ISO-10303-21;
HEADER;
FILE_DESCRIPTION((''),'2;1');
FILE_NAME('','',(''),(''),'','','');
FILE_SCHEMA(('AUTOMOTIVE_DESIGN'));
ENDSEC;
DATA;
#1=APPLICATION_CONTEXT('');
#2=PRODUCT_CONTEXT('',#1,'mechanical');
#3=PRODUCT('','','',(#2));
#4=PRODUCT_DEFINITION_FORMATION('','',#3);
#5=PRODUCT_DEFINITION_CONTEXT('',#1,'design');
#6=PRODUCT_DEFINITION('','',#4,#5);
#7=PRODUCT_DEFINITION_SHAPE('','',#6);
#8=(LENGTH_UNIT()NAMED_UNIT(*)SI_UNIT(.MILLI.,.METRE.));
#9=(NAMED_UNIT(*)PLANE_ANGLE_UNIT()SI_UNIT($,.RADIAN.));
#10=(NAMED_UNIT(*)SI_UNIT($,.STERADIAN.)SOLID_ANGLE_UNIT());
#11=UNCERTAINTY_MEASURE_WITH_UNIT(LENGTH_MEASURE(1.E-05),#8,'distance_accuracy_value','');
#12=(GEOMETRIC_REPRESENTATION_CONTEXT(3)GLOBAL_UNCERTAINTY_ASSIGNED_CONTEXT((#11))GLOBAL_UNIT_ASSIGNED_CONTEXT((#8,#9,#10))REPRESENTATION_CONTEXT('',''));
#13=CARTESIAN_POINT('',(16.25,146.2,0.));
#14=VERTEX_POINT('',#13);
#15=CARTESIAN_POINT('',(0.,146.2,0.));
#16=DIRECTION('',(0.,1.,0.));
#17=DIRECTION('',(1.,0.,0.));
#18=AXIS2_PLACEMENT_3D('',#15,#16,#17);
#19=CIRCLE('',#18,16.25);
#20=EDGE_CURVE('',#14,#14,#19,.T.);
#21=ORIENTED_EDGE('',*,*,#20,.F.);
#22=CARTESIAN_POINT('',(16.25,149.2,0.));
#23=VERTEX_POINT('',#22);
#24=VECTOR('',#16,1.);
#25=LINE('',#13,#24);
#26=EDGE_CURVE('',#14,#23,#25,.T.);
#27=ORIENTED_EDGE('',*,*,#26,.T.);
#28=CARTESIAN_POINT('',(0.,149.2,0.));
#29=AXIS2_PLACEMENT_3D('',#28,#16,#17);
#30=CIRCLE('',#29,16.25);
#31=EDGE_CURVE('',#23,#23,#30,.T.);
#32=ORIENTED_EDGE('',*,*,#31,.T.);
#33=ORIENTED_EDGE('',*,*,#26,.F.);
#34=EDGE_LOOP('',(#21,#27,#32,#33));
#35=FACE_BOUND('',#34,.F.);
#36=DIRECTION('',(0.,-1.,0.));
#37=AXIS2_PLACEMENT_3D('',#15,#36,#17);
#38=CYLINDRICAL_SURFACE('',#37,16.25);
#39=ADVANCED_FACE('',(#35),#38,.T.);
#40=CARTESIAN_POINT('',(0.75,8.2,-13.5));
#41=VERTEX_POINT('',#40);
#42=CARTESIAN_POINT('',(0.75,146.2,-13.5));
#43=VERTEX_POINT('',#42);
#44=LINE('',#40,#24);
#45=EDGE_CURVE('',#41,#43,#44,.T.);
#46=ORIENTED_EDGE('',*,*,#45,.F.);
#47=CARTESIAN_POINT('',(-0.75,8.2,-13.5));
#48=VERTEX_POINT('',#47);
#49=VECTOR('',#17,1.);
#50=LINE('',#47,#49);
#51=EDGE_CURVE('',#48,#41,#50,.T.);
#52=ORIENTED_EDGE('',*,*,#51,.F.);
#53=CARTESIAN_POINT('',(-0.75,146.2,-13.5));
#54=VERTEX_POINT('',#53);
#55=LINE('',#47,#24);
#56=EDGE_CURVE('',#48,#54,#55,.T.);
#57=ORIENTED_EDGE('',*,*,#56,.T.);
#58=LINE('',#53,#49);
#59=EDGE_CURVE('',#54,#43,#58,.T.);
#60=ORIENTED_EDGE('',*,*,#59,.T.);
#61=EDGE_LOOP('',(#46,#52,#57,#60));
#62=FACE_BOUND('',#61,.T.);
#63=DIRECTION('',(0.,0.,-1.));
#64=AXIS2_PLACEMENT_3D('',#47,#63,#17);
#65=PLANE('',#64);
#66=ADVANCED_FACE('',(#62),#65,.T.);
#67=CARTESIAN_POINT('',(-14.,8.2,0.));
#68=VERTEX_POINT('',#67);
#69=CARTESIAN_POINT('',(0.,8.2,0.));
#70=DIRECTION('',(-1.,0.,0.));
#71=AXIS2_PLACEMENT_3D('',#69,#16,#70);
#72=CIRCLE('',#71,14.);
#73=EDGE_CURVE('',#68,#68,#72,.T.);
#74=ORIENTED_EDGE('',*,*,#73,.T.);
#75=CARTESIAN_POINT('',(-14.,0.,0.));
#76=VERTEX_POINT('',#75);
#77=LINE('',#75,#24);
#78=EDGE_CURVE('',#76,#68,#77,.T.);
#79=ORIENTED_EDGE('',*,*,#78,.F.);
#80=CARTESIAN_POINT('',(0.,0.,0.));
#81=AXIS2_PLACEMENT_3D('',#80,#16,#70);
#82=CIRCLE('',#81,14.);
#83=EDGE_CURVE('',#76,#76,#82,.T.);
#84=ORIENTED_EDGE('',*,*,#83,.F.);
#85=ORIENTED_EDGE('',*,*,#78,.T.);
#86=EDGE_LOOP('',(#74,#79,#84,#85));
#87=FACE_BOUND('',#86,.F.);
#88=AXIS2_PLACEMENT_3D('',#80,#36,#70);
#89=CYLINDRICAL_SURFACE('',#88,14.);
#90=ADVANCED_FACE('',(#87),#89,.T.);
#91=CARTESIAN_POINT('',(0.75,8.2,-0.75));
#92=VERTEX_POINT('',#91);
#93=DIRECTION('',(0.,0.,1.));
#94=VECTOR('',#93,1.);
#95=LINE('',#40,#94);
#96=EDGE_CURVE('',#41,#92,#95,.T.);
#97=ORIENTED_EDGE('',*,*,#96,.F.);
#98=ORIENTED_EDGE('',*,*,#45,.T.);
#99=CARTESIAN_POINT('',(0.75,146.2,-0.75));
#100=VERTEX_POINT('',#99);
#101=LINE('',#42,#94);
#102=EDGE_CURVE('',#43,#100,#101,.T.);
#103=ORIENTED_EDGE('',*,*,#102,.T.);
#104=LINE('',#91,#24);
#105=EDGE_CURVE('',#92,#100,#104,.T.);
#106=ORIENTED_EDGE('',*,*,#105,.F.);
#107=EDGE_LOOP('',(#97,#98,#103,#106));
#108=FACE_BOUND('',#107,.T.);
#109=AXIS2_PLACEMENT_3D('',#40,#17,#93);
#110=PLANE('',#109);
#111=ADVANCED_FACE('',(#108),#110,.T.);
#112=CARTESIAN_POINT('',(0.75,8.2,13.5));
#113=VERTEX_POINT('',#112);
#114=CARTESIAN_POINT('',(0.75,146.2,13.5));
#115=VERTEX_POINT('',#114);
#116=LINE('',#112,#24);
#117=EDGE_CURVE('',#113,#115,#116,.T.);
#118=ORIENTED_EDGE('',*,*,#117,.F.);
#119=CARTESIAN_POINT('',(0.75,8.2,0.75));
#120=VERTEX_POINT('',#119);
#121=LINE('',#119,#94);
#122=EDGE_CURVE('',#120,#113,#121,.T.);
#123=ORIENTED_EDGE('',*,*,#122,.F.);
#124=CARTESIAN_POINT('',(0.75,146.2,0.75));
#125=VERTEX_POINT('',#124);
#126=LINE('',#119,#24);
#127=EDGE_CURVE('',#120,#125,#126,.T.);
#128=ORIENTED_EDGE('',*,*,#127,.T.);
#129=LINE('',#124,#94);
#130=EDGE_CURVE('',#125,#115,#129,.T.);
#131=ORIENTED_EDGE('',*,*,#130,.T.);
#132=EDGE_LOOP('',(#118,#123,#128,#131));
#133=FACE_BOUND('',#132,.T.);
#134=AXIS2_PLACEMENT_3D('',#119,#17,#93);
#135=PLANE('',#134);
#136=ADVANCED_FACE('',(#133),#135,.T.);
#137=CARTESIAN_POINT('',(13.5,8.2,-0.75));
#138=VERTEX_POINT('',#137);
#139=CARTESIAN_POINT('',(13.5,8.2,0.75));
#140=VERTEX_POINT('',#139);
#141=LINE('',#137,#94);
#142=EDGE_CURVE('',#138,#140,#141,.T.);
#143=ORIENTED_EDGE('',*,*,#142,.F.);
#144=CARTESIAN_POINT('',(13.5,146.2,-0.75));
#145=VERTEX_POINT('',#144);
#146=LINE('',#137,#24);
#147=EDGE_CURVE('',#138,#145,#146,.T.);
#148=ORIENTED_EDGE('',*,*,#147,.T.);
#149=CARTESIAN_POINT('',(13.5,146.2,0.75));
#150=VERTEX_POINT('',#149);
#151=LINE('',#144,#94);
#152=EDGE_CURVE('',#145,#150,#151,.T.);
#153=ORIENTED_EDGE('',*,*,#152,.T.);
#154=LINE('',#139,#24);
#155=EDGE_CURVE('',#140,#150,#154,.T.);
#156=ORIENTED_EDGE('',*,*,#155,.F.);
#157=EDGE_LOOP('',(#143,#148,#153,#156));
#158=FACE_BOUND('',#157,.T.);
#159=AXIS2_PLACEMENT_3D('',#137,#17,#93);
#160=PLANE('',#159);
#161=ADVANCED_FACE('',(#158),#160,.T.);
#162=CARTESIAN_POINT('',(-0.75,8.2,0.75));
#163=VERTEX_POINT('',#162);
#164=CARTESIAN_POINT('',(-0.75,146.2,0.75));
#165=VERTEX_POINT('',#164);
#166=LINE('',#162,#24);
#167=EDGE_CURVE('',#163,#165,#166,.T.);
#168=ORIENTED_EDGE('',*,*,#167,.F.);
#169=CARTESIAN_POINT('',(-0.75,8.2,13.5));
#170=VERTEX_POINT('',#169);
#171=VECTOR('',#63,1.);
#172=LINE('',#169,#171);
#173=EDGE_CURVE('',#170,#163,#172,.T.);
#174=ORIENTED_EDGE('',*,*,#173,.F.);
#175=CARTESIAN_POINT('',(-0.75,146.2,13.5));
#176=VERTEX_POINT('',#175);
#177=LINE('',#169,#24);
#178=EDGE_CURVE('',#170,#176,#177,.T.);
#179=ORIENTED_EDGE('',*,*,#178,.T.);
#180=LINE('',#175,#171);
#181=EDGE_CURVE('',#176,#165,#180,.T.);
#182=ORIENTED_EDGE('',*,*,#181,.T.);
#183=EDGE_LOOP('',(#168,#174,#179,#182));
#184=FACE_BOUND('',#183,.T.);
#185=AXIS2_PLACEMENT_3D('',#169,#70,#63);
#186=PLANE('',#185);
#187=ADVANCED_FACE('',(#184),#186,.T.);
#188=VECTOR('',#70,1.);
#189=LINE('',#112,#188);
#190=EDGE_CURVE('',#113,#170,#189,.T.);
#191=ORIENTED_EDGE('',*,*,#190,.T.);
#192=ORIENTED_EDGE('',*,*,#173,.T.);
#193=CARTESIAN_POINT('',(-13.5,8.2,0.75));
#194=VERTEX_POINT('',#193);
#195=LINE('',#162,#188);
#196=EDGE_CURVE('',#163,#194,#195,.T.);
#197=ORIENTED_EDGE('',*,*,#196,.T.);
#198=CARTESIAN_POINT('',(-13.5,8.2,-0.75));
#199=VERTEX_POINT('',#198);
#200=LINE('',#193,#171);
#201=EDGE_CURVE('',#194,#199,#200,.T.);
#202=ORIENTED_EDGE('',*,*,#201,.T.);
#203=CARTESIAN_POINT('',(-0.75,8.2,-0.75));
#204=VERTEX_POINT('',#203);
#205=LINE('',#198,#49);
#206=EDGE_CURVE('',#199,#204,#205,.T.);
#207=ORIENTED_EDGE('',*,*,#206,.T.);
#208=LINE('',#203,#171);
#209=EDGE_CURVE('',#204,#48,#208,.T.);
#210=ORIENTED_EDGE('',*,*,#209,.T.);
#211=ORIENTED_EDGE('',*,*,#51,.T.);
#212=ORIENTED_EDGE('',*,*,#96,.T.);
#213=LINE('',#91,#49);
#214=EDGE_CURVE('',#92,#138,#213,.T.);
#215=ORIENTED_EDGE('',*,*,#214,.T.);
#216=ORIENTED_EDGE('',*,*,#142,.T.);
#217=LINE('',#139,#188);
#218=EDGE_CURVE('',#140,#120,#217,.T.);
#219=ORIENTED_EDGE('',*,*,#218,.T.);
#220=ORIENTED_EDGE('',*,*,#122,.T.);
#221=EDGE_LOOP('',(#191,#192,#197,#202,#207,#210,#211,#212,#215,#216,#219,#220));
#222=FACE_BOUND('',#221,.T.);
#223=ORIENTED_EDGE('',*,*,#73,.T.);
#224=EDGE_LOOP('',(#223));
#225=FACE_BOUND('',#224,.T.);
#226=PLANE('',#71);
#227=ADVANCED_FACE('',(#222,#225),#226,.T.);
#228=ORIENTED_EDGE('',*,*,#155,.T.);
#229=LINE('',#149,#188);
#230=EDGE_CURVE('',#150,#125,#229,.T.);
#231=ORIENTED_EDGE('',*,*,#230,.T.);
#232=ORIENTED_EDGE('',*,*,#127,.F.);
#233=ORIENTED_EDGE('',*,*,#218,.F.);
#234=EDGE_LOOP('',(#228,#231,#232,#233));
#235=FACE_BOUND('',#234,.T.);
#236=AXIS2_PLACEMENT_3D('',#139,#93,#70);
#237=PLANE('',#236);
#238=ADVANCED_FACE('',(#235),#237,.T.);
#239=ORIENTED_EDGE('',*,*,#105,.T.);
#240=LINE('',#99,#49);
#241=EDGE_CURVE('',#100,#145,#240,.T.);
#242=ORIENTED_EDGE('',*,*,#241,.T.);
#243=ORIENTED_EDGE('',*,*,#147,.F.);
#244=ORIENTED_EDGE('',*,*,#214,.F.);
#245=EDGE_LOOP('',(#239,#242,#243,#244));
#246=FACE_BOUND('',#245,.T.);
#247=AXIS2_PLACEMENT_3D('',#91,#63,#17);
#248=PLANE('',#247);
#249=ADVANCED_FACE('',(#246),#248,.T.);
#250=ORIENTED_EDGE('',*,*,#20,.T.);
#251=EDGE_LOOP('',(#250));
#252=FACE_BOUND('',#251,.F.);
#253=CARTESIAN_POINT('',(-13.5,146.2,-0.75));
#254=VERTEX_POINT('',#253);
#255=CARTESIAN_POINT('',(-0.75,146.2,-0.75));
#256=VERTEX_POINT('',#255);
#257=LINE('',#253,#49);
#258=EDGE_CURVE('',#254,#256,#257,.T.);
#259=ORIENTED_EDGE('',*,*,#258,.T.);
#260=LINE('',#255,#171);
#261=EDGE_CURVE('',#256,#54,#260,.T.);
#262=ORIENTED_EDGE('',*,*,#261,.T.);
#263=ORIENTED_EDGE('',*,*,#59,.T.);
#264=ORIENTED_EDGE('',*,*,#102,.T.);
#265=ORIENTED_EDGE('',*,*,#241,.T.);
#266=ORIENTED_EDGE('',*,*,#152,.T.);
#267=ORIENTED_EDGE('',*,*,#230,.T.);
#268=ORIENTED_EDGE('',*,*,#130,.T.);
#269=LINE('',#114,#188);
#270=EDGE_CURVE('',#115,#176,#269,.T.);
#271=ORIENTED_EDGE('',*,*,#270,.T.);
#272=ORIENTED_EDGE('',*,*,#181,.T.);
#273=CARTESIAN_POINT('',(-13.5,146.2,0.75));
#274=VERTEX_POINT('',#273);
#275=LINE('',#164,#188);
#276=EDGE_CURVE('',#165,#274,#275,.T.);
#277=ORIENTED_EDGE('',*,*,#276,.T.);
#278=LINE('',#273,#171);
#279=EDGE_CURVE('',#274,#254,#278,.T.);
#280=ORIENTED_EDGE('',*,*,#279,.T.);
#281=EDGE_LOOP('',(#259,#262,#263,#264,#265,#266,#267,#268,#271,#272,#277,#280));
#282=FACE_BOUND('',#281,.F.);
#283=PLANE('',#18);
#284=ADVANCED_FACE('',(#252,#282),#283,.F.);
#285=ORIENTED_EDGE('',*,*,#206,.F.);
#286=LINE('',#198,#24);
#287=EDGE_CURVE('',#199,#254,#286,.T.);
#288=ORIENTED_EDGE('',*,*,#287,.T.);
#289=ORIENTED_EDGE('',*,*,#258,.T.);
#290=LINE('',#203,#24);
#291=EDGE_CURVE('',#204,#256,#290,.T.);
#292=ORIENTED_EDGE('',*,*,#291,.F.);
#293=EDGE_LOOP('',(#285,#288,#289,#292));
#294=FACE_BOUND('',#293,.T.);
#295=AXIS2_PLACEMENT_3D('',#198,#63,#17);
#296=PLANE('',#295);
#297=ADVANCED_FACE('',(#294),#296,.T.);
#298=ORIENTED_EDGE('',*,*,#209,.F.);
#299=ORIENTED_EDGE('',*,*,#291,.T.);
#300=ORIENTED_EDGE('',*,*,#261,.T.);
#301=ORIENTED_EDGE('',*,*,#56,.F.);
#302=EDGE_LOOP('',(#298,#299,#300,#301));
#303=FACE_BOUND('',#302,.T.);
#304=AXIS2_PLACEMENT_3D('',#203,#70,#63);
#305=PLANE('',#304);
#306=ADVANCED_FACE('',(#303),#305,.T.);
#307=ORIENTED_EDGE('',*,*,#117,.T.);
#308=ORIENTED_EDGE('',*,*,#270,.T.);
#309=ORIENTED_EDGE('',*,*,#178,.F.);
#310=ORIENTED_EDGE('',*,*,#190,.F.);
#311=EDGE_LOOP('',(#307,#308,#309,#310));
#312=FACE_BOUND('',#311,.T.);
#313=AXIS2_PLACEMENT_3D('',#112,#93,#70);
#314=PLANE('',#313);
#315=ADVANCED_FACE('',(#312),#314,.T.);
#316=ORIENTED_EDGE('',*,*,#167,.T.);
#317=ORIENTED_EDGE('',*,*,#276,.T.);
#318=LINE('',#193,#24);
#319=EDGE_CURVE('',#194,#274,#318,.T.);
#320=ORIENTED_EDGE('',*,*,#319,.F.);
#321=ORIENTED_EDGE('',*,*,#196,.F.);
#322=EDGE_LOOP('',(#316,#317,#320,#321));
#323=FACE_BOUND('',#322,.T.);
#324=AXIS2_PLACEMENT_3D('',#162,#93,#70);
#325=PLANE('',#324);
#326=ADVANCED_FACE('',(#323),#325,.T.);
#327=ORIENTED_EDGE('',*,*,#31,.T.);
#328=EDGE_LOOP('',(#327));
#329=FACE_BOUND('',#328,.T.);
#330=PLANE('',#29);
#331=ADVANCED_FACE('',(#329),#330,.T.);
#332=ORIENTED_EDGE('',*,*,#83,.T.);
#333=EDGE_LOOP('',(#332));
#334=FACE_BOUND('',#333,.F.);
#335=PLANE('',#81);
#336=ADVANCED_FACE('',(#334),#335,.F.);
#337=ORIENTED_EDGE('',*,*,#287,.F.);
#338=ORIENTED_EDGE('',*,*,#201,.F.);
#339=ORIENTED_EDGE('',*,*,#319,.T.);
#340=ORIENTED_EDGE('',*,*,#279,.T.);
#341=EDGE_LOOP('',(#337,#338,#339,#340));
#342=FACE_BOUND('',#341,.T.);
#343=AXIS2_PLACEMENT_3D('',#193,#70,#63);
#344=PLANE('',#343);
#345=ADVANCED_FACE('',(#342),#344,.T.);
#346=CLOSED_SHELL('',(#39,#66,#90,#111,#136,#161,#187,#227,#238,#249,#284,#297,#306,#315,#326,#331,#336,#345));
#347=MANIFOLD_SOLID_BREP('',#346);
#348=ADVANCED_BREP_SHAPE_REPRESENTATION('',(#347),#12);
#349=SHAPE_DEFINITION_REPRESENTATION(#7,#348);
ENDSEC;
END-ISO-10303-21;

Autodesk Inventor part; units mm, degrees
ref_plane "YZ Plane" through (0, 0, 0) normal (1, 0, 0) x (0, 1, 0)
ref_plane "XZ Plane" through (0, 0, 0) normal (0, 1, 0) x (-1, 0, 0)
sketch "Sketch1" plane through (0, 0, 0) normal (0, 1, 0) x (-1, 0, 0)
  circle A0 centre (0, 0) radius 14
  dimension "d0" = 28
extrude "Extrusion1" add sketch "Sketch1" along normal blind 8.2
sketch "Sketch2" plane through (0, 8.2, 0) normal (0, 1, 0) x (1, 0, 0)
  line L0 (-13.5, -0.75) -> (-13.5, 0.75)
  line L1 (13.5, 0.75) -> (13.5, -0.75)
  line L2 (13.5, -0.75) -> (-13.5, 0.75) construction
  line L3 (-13.5, -0.75) -> (13.5, 0.75) construction
  line L4 (0.75, -13.5) -> (-0.75, -13.5)
  line L5 (-0.75, 13.5) -> (0.75, 13.5)
  line L6 (0.75, -13.5) -> (-0.75, 13.5) construction
  line L7 (-0.75, -13.5) -> (0.75, 13.5) construction
  line L8 (-0.75, -13.5) -> (-0.75, -0.75)
  line L9 (-0.75, 0.75) -> (-0.75, 13.5)
  line L10 (-13.5, 0.75) -> (-0.75, 0.75)
  line L11 (13.5, -0.75) -> (0.75, -0.75)
  line L12 (-0.75, -0.75) -> (-13.5, -0.75)
  line L13 (0.75, 13.5) -> (0.75, 0.75)
  line L14 (0.75, -0.75) -> (0.75, -13.5)
  line L15 (0.75, 0.75) -> (13.5, 0.75)
  point P0 (0, 0)
  dimension "d3" = 1.5
  dimension "d4" = 27
  dimension "d5" = 27
extrude "Extrusion2" add sketch "Sketch2" along normal blind 138
sketch "Sketch3" plane through (0, 146.2, 0) normal (0, 1, 0) x (1, 0, 0)
  circle A0 centre (0, 0) radius 16.25
  dimension "d8" = 32.5
extrude "Extrusion3" add sketch "Sketch3" along normal blind 3
equation "\"d5\" = d4"
equation "\"d18\" = d17"
equation "\"d17\" = 2"
properties part number "CH_01_0007_piston"
